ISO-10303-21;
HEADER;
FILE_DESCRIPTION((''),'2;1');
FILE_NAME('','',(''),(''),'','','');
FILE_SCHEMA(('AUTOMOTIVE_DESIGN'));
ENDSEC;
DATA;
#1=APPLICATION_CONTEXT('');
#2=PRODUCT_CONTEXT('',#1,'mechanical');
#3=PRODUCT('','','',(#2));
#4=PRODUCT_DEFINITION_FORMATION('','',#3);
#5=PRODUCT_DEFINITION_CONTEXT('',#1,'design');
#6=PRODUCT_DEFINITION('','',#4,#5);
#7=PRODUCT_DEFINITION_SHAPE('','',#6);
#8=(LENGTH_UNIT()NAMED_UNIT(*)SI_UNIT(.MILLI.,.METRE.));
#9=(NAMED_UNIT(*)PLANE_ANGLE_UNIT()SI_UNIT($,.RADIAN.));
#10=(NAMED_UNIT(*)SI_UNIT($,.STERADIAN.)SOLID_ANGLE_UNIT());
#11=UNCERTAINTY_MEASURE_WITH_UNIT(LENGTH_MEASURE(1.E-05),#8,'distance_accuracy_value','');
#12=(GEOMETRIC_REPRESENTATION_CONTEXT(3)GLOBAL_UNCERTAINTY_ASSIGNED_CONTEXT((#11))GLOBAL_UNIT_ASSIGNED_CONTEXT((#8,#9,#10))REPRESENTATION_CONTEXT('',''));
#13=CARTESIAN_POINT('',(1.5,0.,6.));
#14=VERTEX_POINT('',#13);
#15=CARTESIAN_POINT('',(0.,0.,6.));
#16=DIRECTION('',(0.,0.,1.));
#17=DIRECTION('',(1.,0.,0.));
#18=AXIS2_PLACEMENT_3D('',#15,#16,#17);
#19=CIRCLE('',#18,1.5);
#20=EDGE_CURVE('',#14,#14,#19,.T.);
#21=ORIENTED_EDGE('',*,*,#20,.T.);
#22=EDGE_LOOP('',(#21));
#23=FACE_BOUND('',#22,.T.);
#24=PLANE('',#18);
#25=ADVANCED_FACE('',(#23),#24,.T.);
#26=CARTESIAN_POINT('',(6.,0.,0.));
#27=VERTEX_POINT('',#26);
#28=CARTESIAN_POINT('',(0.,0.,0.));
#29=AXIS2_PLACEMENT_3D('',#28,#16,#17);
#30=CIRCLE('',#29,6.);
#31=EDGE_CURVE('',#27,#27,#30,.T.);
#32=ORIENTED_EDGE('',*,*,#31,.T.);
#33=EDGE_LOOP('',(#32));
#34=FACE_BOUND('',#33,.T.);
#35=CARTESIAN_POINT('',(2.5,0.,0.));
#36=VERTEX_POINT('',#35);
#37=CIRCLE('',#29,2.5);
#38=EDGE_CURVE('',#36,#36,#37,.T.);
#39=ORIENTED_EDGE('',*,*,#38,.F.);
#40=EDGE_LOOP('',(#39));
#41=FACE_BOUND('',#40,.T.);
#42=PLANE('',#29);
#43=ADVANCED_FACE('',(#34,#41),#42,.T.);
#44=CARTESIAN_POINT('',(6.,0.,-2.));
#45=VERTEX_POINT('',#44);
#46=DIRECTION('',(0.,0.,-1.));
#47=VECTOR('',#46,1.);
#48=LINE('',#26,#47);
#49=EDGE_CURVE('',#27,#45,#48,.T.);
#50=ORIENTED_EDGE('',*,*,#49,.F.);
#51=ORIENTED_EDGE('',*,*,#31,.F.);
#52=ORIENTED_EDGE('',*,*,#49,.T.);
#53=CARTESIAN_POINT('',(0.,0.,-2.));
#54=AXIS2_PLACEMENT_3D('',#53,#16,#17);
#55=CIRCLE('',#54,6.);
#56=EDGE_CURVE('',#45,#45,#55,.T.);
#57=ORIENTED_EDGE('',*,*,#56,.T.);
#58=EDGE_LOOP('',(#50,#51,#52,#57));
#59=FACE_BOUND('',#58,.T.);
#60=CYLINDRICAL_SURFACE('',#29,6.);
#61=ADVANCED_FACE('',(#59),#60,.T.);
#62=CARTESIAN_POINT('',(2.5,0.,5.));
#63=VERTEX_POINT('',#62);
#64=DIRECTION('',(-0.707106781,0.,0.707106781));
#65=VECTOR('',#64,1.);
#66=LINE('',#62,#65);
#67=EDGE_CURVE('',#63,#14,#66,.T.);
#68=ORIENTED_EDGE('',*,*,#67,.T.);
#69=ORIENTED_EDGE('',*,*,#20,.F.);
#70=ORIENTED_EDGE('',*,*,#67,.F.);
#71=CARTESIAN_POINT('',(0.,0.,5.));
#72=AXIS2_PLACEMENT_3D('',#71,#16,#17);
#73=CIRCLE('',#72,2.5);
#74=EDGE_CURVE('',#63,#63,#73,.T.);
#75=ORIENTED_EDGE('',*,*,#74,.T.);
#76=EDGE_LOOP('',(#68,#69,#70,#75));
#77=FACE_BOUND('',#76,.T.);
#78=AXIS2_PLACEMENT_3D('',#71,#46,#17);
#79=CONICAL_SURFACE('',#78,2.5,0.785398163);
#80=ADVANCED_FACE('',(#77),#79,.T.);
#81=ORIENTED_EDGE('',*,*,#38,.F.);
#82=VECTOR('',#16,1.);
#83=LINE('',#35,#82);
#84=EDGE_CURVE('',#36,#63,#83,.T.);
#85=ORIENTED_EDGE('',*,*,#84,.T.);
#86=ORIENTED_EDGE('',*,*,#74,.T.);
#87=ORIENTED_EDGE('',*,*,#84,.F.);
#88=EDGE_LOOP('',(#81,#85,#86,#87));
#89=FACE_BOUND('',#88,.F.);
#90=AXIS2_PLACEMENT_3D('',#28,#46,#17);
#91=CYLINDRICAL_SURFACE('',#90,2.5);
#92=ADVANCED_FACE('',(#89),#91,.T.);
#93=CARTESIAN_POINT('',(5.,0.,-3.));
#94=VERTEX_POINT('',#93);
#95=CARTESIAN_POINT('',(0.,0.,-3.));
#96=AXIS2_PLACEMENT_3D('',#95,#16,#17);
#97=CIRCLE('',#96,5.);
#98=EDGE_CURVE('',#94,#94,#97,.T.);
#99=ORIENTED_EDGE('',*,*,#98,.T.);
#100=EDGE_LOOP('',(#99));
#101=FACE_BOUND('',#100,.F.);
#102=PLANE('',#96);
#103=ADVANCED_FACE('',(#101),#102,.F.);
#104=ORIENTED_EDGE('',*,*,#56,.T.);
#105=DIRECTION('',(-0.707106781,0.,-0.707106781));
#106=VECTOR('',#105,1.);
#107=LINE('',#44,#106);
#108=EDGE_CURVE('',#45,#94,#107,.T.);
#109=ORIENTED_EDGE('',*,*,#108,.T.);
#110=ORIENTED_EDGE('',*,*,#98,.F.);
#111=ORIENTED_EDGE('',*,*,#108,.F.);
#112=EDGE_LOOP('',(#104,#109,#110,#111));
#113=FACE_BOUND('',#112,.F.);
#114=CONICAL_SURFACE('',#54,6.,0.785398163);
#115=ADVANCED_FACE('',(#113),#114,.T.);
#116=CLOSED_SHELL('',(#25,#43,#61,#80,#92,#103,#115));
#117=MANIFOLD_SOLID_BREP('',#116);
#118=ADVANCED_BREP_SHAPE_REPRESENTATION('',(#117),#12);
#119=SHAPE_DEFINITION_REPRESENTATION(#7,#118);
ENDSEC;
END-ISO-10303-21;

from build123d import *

# Parameters (mm, degrees)
F0_R     = 6
F0_R_2   = 2.5
F1_DEPTH = 3
F2_DEPTH = 6
F3_SIZE  = 1


with BuildPart() as f1:
    # F0 (on Top) → F1 (new body)
    with BuildSketch(Plane.XY):
        Circle(F0_R)
        Circle(F0_R_2, mode=Mode.SUBTRACT)
        Circle(F0_R_2)
    extrude(amount=-F1_DEPTH)

    # F0 (on Top) → F2 (join)
    with BuildSketch(Plane.XY):
        Circle(F0_R_2)
    extrude(amount=F2_DEPTH)

    # F3
    f3_edges = [f1.edges().sort_by_distance(p)[0] for p in [
        (-2.5, 0, 6),
        (-6, 0, -3),
    ]]
    chamfer(f3_edges, length=F3_SIZE)


solid = f1.part
